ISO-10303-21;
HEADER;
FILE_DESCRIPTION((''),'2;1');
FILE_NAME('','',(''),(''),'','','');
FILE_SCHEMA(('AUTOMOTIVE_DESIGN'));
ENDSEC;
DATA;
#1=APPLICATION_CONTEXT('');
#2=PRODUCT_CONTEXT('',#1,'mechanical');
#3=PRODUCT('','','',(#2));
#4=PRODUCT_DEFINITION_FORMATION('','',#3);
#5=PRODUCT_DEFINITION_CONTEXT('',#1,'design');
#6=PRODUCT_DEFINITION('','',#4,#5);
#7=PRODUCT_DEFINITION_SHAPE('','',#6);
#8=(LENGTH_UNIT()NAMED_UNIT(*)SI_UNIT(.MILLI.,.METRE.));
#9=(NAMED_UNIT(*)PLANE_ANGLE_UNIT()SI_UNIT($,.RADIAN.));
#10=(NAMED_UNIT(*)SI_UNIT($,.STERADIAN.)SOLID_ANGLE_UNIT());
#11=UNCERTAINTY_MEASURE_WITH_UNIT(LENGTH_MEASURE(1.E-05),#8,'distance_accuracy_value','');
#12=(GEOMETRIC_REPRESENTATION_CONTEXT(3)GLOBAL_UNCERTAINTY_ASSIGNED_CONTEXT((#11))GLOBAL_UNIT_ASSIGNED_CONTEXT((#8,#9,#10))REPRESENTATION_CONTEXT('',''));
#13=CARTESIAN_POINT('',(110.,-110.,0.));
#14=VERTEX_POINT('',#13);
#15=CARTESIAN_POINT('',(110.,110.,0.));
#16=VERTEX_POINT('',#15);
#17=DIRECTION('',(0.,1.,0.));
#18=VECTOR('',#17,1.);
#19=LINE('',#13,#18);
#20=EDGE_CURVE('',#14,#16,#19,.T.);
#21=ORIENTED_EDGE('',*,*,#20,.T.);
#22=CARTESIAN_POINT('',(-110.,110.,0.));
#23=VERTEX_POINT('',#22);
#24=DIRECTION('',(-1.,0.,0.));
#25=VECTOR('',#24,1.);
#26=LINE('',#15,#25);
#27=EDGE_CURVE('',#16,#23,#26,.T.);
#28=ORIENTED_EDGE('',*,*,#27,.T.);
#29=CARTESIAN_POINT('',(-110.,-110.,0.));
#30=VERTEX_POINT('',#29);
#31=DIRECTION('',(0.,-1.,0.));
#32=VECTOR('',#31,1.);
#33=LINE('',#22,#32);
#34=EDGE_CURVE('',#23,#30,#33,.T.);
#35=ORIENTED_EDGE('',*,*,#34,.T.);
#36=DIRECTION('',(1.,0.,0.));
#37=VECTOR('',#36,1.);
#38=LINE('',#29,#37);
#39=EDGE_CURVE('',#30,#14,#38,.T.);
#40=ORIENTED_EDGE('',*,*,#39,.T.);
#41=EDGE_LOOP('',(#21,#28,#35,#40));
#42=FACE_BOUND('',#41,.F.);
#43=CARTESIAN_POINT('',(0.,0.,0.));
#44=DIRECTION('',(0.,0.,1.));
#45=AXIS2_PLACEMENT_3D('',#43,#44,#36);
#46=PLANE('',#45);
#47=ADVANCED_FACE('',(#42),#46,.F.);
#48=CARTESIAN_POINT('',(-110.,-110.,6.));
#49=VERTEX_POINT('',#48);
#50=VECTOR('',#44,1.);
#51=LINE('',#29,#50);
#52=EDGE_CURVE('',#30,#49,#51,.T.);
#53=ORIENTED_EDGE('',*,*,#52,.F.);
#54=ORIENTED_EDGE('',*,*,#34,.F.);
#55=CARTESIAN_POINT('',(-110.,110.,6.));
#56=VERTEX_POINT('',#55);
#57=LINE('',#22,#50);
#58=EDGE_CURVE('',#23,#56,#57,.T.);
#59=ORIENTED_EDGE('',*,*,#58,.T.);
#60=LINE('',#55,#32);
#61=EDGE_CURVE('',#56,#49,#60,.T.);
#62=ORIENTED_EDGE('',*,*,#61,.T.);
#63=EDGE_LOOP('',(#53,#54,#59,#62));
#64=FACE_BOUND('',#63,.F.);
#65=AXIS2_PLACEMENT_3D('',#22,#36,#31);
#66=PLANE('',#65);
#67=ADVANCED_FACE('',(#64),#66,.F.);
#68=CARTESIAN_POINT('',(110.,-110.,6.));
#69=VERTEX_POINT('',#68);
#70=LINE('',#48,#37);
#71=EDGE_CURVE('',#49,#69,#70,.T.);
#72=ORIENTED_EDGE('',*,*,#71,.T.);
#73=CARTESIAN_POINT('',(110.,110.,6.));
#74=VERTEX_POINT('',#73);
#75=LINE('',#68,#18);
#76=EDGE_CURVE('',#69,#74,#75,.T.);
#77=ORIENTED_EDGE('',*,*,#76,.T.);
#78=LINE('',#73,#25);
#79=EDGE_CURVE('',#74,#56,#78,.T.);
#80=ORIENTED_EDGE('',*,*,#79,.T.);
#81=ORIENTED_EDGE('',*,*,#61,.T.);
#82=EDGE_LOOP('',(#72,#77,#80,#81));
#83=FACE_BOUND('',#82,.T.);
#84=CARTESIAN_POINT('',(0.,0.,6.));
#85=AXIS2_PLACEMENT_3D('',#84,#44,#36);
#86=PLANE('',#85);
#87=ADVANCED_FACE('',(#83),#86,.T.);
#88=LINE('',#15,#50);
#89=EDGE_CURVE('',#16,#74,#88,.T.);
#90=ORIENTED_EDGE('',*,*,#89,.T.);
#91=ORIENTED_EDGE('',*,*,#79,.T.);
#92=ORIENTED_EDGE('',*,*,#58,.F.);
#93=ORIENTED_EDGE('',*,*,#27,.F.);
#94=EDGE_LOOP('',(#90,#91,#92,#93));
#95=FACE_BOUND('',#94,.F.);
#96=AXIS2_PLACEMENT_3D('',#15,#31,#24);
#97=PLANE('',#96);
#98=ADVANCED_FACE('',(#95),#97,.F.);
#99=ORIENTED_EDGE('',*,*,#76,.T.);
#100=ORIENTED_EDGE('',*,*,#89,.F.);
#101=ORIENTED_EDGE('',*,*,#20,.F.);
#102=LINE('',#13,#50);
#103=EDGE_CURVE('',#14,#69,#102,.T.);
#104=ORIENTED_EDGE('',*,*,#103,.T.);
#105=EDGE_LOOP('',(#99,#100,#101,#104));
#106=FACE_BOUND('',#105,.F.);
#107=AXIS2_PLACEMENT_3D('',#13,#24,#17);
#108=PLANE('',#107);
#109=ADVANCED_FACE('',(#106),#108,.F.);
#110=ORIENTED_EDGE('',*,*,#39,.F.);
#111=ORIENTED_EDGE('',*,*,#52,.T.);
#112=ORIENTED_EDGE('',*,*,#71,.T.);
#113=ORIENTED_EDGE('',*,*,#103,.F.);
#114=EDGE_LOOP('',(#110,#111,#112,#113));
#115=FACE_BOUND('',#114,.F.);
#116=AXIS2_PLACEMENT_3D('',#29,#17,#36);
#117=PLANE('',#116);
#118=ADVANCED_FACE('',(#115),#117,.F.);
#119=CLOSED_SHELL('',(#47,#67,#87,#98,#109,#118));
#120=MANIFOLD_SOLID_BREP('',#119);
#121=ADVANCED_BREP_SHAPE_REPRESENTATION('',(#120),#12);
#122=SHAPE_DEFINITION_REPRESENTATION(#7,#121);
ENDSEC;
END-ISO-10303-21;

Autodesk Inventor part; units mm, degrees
ref_plane "YZ Plane" through (0, 0, 0) normal (1, 0, 0) x (0, 1, 0)
ref_plane "XZ Plane" through (0, 0, 0) normal (0, 1, 0) x (-1, 0, 0)
ref_plane "XY Plane" through (0, 0, 0) normal (0, 0, 1) x (1, 0, 0)
sketch "Sketch1" plane through (0, 0, 0) normal (0, 0, 1) x (1, 0, 0)
  line L0 (-110, -110) -> (110, -110)
  line L1 (110, -110) -> (110, 110)
  line L2 (110, 110) -> (-110, 110)
  line L3 (-110, 110) -> (-110, -110)
  line L4 (-110, -110) -> (110, 110) construction
  line L5 (110, -110) -> (-110, 110) construction
  point P0 (0, 0)
  dimension "d0" = 220
  dimension "d1" = 220
extrude "Extrusion1" add sketch "Sketch1" along normal blind 6
properties part number "bed"
